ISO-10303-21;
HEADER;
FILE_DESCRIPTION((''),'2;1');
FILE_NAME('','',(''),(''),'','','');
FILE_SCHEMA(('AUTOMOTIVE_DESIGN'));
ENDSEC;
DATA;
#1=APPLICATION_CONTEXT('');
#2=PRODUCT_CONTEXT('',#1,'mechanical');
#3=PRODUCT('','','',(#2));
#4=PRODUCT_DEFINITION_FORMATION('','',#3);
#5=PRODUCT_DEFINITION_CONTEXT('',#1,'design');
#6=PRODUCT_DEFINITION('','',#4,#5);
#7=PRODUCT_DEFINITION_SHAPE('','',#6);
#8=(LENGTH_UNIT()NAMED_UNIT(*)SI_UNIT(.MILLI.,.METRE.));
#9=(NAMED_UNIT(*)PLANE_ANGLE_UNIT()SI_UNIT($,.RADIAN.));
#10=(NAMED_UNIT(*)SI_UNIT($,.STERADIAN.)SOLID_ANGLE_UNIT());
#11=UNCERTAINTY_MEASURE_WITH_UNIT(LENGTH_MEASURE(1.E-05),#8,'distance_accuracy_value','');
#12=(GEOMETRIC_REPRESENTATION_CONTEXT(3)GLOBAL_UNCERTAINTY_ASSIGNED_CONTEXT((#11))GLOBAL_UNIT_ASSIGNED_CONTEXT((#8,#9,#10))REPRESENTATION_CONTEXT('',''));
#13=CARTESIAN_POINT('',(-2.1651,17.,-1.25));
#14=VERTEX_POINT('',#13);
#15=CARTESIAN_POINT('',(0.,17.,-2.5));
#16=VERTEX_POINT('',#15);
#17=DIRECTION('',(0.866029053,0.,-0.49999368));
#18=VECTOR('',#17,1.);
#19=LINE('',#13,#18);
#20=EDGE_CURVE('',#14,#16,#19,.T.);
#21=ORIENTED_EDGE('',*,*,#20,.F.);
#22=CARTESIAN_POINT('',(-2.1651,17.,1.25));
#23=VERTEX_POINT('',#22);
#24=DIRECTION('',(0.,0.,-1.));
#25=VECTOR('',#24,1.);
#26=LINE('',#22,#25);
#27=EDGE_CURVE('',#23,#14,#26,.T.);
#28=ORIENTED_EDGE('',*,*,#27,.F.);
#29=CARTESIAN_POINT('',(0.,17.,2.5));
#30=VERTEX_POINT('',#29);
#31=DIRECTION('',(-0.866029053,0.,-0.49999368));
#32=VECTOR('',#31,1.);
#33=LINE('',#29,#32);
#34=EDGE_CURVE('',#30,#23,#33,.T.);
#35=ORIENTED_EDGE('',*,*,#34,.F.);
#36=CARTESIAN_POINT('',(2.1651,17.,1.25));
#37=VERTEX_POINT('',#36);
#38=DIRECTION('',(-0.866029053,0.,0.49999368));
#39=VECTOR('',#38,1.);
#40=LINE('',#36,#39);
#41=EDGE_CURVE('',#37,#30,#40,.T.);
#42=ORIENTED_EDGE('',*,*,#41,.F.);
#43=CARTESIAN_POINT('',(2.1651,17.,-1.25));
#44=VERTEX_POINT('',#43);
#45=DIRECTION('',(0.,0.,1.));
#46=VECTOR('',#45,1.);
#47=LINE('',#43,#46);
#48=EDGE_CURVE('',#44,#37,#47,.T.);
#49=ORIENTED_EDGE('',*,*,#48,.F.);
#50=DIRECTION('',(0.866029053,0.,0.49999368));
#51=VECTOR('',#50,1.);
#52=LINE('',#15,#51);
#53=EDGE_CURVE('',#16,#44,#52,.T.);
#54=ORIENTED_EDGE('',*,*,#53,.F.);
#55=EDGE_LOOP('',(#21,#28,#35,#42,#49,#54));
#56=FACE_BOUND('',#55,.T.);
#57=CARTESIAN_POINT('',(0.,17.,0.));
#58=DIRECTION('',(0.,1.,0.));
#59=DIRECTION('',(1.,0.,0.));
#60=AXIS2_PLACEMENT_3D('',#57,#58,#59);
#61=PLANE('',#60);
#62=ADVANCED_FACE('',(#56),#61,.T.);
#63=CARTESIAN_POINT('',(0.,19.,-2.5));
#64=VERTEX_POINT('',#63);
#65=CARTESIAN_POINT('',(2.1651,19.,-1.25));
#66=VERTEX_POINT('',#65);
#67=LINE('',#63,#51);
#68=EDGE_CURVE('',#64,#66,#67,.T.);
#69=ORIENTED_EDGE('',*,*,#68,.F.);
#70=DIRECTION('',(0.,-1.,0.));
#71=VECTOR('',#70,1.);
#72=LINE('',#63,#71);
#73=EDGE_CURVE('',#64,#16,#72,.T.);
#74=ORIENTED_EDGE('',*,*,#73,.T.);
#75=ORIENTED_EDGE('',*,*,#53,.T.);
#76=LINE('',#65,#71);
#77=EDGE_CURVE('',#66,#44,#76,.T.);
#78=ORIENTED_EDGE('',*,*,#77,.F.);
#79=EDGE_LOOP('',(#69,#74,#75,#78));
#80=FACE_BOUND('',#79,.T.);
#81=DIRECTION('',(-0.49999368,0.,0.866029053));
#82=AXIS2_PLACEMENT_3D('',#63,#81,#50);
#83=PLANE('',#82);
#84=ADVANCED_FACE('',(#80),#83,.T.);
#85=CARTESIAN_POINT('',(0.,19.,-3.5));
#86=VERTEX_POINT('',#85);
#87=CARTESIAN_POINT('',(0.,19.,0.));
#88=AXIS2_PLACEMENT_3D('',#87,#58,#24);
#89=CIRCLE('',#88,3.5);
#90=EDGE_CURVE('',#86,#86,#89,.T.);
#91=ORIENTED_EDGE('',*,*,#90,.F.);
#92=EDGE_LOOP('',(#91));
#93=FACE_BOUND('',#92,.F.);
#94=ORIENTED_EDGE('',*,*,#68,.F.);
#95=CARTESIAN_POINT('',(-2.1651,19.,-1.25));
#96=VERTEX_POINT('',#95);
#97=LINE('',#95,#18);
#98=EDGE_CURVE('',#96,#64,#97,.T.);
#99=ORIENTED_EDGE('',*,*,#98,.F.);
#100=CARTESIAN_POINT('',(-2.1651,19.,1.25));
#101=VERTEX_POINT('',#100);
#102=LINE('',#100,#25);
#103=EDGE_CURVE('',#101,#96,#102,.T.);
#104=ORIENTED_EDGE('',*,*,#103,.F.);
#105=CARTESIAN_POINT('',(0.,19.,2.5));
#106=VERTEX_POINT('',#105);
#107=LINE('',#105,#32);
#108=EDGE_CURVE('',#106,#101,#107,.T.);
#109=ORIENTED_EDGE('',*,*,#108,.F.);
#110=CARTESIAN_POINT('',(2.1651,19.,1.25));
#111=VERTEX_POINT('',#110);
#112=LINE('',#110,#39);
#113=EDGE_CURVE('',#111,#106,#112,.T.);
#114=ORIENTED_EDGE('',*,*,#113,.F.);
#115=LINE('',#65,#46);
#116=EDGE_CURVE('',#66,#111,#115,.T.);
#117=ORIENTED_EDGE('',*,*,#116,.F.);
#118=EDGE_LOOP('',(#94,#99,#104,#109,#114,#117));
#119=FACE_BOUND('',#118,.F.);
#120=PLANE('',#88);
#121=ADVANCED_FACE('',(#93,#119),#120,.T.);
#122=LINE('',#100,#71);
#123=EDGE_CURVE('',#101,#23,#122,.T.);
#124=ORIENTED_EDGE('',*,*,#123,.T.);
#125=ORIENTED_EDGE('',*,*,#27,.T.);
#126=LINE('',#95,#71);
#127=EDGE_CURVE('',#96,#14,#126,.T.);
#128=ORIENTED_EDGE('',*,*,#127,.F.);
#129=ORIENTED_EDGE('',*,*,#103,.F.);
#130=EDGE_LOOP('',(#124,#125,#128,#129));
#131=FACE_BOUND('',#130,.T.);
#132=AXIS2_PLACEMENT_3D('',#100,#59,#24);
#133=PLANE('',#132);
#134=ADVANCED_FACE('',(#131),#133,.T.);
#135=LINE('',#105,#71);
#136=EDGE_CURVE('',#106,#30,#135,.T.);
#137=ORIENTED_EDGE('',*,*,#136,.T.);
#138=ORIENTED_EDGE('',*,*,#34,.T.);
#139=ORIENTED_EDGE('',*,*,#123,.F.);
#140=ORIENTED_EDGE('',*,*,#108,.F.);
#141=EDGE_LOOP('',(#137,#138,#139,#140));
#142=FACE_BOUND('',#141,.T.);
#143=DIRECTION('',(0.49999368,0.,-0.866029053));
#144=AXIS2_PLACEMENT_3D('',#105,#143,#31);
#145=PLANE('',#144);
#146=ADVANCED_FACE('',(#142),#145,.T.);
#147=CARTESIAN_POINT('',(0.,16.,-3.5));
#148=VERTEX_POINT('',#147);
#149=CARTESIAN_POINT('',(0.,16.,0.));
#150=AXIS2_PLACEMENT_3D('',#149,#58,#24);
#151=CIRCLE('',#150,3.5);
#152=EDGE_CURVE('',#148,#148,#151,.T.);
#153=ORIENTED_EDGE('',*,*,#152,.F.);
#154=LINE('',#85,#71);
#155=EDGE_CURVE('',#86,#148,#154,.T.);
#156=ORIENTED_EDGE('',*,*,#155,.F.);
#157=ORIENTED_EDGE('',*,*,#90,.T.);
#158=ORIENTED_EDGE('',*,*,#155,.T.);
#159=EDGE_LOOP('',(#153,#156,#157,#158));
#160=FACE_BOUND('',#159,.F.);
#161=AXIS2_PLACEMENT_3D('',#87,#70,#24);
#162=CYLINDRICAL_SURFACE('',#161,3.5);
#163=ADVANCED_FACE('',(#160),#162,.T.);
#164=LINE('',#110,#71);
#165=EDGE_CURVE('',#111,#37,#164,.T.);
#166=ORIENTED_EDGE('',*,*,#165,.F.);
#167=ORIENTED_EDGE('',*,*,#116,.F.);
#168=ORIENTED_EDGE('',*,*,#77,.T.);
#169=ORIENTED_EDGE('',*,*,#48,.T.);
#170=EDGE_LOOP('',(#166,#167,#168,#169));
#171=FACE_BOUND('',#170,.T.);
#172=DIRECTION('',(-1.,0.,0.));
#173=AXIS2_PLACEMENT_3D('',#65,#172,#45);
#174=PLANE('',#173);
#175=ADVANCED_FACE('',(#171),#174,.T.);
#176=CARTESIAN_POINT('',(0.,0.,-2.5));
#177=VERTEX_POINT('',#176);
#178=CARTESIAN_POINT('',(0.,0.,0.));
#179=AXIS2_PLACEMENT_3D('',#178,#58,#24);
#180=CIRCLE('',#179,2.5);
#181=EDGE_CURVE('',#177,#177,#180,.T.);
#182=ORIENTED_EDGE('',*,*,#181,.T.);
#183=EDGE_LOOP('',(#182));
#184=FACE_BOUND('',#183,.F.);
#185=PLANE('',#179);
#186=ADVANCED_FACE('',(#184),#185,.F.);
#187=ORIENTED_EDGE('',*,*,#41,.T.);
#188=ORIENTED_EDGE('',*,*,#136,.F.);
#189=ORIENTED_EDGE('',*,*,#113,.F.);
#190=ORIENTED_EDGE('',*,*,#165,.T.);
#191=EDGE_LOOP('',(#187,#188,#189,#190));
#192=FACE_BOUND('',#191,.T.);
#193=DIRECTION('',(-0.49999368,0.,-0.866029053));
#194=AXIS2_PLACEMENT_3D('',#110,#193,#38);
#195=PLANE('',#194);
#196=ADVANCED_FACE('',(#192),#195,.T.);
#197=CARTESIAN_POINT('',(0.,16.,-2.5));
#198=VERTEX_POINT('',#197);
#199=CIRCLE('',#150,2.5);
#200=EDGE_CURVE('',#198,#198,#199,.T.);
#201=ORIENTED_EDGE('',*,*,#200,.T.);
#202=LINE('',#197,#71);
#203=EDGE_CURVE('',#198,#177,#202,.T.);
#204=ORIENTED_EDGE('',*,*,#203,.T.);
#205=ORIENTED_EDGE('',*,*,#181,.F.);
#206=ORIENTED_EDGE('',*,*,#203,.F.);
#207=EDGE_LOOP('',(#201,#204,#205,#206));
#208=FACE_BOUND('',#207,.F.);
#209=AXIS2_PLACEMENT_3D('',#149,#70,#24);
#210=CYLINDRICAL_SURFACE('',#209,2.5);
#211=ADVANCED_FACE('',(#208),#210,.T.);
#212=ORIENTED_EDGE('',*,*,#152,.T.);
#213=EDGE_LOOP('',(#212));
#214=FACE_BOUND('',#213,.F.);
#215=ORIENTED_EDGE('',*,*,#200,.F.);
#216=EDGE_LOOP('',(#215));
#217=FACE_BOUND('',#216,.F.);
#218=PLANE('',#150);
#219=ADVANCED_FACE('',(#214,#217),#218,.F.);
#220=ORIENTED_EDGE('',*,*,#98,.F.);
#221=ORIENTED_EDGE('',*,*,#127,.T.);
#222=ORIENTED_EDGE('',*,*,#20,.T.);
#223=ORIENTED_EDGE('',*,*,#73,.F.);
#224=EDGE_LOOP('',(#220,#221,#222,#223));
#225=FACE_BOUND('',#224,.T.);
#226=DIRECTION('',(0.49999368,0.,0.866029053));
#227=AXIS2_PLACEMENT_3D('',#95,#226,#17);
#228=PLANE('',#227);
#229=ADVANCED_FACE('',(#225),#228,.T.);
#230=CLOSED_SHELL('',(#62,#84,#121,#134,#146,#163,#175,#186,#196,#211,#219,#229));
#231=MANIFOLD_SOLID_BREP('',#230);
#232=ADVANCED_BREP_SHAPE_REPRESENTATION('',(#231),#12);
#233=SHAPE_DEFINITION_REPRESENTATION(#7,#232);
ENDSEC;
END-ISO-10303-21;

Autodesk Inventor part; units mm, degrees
ref_plane "YZ Plane" through (0, 0, 0) normal (1, 0, 0) x (0, 1, 0)
ref_plane "XZ Plane" through (0, 0, 0) normal (0, 1, 0) x (-1, 0, 0)
ref_plane "XY Plane" through (0, 0, 0) normal (0, 0, 1) x (1, 0, 0)
sketch "Sketch1" plane through (0, 0, 0) normal (1, 0, 0) x (0, 1, 0)
  line L0 (0, 0) -> (16, 0)
  line L1 (16, 0) -> (16, -2.5)
  line L2 (16, -2.5) -> (0, -2.5)
  line L3 (0, -2.5) -> (0, 0)
  line L4 (16, 0) -> (19, 0)
  line L5 (19, 0) -> (19, -3.5)
  line L6 (19, -3.5) -> (16, -3.5)
  line L7 (16, -3.5) -> (16, 0)
  dimension "d0" = 2.5
  dimension "d1" = 3
  dimension "d2" = 3.5
  dimension "d3" = 16
revolve "Revolution1" add sketch "Sketch1" angle 360 about axis through (0, 0, 0) along (0, 1, 0)
thread "Thread1" size "M5x0.8" class "6g" standard "ANSI Metric M Profile" full length
sketch "Sketch2" plane through (0, 19, 0) normal (0, 1, 0) x (1, 0, 0)
  circle A0 centre (0, 0) radius 2.5 projected
  line L0 (0, 2.5) -> (2.1651, 1.25)
  line L1 (2.1651, 1.25) -> (2.1651, -1.25)
  line L2 (2.1651, -1.25) -> (0, -2.5)
  line L3 (0, -2.5) -> (-2.1651, -1.25)
  line L4 (-2.1651, -1.25) -> (-2.1651, 1.25)
  line L5 (-2.1651, 1.25) -> (0, 2.5)
extrude "Extrusion1" cut sketch "Sketch2" against normal blind 2 contours L1 L2 L3 L4 L5 L0
properties part number "m5x16m"
